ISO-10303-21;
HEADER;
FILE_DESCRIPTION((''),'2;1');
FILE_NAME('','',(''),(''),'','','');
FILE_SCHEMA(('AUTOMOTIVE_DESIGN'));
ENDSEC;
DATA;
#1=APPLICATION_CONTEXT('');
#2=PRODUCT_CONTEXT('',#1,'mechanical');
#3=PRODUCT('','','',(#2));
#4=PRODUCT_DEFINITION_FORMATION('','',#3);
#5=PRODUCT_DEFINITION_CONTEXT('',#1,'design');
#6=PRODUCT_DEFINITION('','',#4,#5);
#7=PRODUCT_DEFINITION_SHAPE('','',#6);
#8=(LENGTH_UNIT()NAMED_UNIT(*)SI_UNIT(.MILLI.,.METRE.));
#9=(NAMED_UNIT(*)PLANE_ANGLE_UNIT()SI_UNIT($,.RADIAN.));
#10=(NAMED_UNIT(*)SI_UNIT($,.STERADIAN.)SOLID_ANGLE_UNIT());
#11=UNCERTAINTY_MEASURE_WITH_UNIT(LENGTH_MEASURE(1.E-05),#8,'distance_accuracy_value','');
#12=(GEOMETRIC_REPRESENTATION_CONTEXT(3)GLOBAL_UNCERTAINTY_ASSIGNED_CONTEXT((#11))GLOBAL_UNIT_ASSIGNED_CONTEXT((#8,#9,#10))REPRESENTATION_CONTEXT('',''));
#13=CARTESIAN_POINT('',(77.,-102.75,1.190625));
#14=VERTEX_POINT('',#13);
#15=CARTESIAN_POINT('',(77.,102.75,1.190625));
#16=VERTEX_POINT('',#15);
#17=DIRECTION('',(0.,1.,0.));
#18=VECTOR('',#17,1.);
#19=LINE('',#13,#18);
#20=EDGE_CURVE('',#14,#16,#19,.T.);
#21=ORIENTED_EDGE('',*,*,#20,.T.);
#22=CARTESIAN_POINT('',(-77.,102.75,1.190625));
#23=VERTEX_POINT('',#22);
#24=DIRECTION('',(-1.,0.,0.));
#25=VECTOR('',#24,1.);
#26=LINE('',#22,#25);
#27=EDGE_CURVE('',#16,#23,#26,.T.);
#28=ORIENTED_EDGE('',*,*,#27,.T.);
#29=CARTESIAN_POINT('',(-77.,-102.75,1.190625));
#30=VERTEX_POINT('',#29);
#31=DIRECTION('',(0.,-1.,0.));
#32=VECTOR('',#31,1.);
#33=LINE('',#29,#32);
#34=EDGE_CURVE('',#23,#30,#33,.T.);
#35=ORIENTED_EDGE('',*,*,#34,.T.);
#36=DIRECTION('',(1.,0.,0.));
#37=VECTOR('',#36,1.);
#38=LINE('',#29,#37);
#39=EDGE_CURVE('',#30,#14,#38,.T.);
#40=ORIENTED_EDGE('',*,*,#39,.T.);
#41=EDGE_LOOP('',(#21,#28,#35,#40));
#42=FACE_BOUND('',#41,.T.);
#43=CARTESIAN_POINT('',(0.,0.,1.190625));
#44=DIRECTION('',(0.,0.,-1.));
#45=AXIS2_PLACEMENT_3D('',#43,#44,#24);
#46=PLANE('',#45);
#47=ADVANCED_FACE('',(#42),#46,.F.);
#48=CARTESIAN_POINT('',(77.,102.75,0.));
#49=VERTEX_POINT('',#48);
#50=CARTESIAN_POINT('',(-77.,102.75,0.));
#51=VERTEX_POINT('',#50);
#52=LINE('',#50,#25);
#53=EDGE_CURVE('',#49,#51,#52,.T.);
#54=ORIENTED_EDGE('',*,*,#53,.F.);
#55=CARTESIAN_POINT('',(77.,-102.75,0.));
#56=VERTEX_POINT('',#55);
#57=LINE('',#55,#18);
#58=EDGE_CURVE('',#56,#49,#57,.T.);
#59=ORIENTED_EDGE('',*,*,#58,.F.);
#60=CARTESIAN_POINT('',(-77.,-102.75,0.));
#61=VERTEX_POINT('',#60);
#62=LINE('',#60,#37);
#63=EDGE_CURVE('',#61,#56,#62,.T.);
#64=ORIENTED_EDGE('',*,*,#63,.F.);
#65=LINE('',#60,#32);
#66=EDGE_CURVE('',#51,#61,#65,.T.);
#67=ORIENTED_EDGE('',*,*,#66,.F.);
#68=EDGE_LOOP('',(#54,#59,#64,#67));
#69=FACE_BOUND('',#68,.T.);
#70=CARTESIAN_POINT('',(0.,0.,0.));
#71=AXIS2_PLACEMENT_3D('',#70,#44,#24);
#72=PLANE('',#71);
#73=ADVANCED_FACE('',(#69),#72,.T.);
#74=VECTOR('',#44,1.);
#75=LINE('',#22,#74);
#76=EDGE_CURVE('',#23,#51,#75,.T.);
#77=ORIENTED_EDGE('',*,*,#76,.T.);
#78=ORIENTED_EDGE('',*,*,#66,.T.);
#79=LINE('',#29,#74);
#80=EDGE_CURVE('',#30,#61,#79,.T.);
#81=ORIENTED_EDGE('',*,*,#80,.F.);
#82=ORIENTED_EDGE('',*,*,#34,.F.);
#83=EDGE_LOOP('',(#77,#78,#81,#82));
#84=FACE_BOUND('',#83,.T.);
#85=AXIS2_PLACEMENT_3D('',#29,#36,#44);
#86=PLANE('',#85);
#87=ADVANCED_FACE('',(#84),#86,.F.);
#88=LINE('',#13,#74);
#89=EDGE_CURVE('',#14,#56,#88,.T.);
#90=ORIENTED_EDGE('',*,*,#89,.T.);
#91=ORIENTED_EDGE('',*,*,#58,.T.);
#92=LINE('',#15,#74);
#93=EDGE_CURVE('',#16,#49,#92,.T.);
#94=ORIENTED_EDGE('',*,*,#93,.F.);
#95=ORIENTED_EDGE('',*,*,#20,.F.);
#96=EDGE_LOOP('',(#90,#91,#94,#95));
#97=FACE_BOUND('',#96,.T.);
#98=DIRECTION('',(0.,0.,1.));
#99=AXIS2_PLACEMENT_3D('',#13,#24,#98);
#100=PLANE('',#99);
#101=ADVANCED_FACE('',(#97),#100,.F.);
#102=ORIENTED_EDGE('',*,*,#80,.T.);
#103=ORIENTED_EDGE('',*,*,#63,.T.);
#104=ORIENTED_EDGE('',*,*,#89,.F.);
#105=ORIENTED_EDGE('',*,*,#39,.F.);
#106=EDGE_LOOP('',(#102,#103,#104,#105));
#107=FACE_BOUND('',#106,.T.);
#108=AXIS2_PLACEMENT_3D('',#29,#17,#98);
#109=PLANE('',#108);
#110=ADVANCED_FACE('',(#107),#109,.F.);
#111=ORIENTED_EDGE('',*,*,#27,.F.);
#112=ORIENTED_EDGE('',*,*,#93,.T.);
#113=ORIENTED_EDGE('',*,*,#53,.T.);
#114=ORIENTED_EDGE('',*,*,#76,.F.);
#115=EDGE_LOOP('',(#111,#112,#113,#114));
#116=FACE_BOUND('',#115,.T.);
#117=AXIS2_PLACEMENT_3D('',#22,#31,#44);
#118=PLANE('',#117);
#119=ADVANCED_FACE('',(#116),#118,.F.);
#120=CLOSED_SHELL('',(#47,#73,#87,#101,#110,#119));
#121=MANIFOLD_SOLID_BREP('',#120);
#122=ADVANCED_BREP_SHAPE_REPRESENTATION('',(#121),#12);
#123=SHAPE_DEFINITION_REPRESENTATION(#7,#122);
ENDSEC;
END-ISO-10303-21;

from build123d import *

# Parameters (mm, degrees)
SKETCH1_W  = 154
SKETCH1_H  = 205.5
BODY_DEPTH = 1.190625


with BuildPart() as part:
    # Sketch1 → Body (new body)
    with BuildSketch(Plane.XY):
        Rectangle(SKETCH1_W, SKETCH1_H)
    extrude(amount=BODY_DEPTH)


solid = part.part
